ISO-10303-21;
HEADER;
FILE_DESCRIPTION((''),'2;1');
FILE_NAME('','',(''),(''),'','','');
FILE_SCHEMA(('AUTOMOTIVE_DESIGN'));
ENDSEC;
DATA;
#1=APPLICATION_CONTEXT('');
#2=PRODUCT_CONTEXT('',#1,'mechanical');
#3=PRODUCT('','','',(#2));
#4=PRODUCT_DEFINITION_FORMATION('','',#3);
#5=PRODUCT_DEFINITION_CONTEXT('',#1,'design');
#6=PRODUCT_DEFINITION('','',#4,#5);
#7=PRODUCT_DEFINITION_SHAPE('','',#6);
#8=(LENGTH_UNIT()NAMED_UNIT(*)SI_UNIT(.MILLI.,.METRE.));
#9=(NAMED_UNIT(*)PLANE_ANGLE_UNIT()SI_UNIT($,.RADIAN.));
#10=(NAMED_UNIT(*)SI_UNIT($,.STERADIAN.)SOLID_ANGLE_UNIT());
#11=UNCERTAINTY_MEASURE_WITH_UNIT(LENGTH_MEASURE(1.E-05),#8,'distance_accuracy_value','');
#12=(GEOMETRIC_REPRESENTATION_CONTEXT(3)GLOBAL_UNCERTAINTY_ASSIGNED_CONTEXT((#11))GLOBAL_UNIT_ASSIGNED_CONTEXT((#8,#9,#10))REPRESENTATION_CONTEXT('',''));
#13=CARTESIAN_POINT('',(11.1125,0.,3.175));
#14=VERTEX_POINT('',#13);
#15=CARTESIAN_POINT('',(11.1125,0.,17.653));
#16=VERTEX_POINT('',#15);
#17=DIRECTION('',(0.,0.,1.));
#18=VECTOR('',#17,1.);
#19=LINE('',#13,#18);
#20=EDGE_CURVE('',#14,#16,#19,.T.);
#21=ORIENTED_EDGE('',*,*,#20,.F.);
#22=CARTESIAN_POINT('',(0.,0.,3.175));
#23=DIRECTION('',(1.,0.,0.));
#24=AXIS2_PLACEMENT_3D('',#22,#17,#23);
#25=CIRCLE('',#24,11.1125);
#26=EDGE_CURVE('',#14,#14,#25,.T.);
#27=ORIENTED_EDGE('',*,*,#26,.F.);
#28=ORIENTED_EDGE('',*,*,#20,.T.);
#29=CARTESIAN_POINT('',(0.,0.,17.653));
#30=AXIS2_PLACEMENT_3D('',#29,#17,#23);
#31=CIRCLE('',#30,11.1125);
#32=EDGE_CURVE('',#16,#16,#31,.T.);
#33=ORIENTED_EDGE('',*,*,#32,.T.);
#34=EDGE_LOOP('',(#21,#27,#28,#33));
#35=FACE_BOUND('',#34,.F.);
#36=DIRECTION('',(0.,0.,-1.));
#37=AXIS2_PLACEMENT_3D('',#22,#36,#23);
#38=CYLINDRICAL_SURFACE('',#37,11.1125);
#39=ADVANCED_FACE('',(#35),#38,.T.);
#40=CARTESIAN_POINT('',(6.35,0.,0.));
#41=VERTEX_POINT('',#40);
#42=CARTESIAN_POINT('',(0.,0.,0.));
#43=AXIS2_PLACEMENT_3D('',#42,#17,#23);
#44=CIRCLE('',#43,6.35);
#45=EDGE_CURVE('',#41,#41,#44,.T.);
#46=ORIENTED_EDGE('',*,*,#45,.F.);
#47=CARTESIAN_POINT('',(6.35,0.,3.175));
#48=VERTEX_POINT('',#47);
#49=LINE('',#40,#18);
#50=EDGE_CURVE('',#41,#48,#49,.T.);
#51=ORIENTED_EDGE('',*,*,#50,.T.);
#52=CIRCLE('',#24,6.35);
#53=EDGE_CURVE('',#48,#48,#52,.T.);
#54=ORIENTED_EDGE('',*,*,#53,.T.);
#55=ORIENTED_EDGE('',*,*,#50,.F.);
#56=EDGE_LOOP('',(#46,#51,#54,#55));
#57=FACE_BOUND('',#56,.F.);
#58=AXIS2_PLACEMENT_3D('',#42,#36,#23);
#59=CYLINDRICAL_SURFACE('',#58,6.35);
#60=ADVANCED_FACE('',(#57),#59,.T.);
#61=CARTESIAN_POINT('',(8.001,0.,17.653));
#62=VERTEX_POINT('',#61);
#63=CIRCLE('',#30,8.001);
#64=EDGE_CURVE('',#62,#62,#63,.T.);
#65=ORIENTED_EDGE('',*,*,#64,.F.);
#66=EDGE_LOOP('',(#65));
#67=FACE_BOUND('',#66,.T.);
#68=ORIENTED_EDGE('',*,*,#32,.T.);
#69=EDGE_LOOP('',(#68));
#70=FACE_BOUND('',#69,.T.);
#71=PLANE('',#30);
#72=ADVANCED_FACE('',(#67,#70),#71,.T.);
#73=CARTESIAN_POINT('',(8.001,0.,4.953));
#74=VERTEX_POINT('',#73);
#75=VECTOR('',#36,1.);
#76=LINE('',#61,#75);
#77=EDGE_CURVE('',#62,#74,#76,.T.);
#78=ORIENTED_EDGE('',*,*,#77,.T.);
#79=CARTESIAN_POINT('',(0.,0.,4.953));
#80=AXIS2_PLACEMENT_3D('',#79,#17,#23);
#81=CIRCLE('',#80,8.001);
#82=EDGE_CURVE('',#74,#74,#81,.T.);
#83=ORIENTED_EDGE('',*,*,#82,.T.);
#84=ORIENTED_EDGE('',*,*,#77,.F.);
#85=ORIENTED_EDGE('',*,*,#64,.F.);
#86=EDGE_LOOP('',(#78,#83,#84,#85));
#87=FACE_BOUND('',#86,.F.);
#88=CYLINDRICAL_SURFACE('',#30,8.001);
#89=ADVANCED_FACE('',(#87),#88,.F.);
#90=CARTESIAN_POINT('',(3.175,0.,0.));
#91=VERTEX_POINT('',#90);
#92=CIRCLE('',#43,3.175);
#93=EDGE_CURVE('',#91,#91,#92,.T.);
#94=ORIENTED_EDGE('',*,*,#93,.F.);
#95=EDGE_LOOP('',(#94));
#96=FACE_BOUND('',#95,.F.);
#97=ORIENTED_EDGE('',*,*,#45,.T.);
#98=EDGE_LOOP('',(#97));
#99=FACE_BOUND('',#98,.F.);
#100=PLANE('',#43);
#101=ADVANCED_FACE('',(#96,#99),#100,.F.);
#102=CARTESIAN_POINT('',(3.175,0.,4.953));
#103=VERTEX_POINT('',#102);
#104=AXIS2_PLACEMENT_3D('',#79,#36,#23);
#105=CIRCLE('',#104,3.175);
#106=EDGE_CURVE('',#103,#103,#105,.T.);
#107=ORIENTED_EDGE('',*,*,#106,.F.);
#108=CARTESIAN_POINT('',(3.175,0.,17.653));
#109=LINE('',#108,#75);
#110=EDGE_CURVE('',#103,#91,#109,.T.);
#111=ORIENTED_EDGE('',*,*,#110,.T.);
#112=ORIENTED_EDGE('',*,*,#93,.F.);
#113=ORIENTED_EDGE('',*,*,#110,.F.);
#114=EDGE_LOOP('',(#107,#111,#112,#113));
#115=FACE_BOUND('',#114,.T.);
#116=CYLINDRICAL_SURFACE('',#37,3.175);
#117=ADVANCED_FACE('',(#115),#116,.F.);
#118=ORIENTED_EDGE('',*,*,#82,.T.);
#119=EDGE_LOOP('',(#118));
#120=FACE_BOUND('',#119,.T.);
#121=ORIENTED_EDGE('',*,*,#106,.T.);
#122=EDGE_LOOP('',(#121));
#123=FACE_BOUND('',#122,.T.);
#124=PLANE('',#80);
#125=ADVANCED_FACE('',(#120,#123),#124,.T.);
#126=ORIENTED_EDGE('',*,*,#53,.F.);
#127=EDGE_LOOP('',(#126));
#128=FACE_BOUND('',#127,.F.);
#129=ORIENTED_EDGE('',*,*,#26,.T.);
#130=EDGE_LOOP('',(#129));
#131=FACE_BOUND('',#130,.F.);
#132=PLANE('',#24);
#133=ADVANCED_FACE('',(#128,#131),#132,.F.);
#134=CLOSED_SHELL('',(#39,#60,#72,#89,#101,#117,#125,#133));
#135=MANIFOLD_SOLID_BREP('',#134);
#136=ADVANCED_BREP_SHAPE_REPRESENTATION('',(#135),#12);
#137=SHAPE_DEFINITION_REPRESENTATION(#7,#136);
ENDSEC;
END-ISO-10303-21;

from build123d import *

# Parameters (mm, degrees)
F0_R     = 6.35
F0_R_2   = 3.175
F1_DEPTH = 3.175
F2_R     = 11.1125
F2_R_2   = 3.175
F3_DEPTH = 14.478
F4_R     = 8.001
F5_DEPTH = 12.7


with BuildPart() as f1:
    # F0 (on Top) → F1 (new body)
    with BuildSketch(Plane.XY):
        Circle(F0_R)
        Circle(F0_R_2, mode=Mode.SUBTRACT)
    extrude(amount=F1_DEPTH)

    # F2 (on face) → F3 (join)
    with BuildSketch(Plane.XY.offset(3.175)):
        Circle(F2_R)
        Circle(F2_R_2, mode=Mode.SUBTRACT)
    extrude(amount=F3_DEPTH)

    # F4 (on face) → F5 (cut)
    with BuildSketch(Plane.XY.offset(17.653)):
        Circle(F4_R)
    extrude(amount=-F5_DEPTH, mode=Mode.SUBTRACT)


solid = f1.part
